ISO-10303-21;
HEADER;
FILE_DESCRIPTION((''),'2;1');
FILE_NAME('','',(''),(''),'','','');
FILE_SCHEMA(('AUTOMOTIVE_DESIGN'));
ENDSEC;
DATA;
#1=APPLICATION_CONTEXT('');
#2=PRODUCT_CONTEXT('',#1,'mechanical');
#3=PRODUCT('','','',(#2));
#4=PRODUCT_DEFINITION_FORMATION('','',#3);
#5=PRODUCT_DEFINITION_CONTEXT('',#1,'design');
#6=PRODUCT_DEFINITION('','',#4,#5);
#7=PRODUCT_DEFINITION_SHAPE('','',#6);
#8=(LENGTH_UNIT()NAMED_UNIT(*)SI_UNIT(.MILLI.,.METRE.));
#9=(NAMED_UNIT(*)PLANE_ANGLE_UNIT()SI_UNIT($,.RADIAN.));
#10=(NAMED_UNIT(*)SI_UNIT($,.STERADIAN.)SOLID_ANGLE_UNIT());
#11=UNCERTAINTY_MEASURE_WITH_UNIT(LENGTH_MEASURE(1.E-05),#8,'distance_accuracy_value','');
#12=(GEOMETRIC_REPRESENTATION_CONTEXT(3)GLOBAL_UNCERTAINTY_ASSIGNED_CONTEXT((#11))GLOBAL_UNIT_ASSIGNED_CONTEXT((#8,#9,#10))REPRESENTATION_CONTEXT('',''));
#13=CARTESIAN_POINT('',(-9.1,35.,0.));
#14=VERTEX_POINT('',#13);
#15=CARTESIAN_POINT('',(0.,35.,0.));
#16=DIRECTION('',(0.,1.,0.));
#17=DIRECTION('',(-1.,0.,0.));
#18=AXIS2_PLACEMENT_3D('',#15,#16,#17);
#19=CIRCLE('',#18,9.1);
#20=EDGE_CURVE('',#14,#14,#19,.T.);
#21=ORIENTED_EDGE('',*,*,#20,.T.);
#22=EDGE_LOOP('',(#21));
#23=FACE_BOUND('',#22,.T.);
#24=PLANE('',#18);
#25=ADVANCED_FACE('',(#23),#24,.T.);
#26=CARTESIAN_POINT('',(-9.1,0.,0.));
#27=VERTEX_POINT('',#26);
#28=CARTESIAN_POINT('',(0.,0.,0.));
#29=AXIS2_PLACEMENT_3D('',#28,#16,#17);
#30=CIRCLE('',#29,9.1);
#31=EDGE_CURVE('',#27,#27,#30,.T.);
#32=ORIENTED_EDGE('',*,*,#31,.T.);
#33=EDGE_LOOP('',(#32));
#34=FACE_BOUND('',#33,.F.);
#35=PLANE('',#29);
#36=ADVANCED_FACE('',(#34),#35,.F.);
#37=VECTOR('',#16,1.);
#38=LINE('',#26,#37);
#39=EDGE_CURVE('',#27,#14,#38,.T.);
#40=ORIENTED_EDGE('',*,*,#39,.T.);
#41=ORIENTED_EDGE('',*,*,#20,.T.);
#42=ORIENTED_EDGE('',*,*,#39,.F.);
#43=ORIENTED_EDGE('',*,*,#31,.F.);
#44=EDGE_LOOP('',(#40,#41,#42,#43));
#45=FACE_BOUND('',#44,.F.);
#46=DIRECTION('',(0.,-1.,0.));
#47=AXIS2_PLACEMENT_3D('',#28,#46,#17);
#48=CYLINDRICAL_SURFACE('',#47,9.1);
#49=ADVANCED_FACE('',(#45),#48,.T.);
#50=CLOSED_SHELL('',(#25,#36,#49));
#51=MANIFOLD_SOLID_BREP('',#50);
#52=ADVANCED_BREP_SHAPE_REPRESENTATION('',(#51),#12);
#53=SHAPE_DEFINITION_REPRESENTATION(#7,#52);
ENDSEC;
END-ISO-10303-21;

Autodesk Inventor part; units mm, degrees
ref_plane "YZ Plane" through (0, 0, 0) normal (1, 0, 0) x (0, 1, 0)
ref_plane "XZ Plane" through (0, 0, 0) normal (0, 1, 0) x (-1, 0, 0)
ref_plane "XY Plane" through (0, 0, 0) normal (0, 0, 1) x (1, 0, 0)
sketch "Sketch1" plane through (0, 0, 0) normal (0, 1, 0) x (-1, 0, 0)
  circle A0 centre (0, 0) radius 9.1
  dimension "d0" = 18.2
extrude "Extrusion1" add sketch "Sketch1" along normal blind 35
properties part number "4700uF cap"
